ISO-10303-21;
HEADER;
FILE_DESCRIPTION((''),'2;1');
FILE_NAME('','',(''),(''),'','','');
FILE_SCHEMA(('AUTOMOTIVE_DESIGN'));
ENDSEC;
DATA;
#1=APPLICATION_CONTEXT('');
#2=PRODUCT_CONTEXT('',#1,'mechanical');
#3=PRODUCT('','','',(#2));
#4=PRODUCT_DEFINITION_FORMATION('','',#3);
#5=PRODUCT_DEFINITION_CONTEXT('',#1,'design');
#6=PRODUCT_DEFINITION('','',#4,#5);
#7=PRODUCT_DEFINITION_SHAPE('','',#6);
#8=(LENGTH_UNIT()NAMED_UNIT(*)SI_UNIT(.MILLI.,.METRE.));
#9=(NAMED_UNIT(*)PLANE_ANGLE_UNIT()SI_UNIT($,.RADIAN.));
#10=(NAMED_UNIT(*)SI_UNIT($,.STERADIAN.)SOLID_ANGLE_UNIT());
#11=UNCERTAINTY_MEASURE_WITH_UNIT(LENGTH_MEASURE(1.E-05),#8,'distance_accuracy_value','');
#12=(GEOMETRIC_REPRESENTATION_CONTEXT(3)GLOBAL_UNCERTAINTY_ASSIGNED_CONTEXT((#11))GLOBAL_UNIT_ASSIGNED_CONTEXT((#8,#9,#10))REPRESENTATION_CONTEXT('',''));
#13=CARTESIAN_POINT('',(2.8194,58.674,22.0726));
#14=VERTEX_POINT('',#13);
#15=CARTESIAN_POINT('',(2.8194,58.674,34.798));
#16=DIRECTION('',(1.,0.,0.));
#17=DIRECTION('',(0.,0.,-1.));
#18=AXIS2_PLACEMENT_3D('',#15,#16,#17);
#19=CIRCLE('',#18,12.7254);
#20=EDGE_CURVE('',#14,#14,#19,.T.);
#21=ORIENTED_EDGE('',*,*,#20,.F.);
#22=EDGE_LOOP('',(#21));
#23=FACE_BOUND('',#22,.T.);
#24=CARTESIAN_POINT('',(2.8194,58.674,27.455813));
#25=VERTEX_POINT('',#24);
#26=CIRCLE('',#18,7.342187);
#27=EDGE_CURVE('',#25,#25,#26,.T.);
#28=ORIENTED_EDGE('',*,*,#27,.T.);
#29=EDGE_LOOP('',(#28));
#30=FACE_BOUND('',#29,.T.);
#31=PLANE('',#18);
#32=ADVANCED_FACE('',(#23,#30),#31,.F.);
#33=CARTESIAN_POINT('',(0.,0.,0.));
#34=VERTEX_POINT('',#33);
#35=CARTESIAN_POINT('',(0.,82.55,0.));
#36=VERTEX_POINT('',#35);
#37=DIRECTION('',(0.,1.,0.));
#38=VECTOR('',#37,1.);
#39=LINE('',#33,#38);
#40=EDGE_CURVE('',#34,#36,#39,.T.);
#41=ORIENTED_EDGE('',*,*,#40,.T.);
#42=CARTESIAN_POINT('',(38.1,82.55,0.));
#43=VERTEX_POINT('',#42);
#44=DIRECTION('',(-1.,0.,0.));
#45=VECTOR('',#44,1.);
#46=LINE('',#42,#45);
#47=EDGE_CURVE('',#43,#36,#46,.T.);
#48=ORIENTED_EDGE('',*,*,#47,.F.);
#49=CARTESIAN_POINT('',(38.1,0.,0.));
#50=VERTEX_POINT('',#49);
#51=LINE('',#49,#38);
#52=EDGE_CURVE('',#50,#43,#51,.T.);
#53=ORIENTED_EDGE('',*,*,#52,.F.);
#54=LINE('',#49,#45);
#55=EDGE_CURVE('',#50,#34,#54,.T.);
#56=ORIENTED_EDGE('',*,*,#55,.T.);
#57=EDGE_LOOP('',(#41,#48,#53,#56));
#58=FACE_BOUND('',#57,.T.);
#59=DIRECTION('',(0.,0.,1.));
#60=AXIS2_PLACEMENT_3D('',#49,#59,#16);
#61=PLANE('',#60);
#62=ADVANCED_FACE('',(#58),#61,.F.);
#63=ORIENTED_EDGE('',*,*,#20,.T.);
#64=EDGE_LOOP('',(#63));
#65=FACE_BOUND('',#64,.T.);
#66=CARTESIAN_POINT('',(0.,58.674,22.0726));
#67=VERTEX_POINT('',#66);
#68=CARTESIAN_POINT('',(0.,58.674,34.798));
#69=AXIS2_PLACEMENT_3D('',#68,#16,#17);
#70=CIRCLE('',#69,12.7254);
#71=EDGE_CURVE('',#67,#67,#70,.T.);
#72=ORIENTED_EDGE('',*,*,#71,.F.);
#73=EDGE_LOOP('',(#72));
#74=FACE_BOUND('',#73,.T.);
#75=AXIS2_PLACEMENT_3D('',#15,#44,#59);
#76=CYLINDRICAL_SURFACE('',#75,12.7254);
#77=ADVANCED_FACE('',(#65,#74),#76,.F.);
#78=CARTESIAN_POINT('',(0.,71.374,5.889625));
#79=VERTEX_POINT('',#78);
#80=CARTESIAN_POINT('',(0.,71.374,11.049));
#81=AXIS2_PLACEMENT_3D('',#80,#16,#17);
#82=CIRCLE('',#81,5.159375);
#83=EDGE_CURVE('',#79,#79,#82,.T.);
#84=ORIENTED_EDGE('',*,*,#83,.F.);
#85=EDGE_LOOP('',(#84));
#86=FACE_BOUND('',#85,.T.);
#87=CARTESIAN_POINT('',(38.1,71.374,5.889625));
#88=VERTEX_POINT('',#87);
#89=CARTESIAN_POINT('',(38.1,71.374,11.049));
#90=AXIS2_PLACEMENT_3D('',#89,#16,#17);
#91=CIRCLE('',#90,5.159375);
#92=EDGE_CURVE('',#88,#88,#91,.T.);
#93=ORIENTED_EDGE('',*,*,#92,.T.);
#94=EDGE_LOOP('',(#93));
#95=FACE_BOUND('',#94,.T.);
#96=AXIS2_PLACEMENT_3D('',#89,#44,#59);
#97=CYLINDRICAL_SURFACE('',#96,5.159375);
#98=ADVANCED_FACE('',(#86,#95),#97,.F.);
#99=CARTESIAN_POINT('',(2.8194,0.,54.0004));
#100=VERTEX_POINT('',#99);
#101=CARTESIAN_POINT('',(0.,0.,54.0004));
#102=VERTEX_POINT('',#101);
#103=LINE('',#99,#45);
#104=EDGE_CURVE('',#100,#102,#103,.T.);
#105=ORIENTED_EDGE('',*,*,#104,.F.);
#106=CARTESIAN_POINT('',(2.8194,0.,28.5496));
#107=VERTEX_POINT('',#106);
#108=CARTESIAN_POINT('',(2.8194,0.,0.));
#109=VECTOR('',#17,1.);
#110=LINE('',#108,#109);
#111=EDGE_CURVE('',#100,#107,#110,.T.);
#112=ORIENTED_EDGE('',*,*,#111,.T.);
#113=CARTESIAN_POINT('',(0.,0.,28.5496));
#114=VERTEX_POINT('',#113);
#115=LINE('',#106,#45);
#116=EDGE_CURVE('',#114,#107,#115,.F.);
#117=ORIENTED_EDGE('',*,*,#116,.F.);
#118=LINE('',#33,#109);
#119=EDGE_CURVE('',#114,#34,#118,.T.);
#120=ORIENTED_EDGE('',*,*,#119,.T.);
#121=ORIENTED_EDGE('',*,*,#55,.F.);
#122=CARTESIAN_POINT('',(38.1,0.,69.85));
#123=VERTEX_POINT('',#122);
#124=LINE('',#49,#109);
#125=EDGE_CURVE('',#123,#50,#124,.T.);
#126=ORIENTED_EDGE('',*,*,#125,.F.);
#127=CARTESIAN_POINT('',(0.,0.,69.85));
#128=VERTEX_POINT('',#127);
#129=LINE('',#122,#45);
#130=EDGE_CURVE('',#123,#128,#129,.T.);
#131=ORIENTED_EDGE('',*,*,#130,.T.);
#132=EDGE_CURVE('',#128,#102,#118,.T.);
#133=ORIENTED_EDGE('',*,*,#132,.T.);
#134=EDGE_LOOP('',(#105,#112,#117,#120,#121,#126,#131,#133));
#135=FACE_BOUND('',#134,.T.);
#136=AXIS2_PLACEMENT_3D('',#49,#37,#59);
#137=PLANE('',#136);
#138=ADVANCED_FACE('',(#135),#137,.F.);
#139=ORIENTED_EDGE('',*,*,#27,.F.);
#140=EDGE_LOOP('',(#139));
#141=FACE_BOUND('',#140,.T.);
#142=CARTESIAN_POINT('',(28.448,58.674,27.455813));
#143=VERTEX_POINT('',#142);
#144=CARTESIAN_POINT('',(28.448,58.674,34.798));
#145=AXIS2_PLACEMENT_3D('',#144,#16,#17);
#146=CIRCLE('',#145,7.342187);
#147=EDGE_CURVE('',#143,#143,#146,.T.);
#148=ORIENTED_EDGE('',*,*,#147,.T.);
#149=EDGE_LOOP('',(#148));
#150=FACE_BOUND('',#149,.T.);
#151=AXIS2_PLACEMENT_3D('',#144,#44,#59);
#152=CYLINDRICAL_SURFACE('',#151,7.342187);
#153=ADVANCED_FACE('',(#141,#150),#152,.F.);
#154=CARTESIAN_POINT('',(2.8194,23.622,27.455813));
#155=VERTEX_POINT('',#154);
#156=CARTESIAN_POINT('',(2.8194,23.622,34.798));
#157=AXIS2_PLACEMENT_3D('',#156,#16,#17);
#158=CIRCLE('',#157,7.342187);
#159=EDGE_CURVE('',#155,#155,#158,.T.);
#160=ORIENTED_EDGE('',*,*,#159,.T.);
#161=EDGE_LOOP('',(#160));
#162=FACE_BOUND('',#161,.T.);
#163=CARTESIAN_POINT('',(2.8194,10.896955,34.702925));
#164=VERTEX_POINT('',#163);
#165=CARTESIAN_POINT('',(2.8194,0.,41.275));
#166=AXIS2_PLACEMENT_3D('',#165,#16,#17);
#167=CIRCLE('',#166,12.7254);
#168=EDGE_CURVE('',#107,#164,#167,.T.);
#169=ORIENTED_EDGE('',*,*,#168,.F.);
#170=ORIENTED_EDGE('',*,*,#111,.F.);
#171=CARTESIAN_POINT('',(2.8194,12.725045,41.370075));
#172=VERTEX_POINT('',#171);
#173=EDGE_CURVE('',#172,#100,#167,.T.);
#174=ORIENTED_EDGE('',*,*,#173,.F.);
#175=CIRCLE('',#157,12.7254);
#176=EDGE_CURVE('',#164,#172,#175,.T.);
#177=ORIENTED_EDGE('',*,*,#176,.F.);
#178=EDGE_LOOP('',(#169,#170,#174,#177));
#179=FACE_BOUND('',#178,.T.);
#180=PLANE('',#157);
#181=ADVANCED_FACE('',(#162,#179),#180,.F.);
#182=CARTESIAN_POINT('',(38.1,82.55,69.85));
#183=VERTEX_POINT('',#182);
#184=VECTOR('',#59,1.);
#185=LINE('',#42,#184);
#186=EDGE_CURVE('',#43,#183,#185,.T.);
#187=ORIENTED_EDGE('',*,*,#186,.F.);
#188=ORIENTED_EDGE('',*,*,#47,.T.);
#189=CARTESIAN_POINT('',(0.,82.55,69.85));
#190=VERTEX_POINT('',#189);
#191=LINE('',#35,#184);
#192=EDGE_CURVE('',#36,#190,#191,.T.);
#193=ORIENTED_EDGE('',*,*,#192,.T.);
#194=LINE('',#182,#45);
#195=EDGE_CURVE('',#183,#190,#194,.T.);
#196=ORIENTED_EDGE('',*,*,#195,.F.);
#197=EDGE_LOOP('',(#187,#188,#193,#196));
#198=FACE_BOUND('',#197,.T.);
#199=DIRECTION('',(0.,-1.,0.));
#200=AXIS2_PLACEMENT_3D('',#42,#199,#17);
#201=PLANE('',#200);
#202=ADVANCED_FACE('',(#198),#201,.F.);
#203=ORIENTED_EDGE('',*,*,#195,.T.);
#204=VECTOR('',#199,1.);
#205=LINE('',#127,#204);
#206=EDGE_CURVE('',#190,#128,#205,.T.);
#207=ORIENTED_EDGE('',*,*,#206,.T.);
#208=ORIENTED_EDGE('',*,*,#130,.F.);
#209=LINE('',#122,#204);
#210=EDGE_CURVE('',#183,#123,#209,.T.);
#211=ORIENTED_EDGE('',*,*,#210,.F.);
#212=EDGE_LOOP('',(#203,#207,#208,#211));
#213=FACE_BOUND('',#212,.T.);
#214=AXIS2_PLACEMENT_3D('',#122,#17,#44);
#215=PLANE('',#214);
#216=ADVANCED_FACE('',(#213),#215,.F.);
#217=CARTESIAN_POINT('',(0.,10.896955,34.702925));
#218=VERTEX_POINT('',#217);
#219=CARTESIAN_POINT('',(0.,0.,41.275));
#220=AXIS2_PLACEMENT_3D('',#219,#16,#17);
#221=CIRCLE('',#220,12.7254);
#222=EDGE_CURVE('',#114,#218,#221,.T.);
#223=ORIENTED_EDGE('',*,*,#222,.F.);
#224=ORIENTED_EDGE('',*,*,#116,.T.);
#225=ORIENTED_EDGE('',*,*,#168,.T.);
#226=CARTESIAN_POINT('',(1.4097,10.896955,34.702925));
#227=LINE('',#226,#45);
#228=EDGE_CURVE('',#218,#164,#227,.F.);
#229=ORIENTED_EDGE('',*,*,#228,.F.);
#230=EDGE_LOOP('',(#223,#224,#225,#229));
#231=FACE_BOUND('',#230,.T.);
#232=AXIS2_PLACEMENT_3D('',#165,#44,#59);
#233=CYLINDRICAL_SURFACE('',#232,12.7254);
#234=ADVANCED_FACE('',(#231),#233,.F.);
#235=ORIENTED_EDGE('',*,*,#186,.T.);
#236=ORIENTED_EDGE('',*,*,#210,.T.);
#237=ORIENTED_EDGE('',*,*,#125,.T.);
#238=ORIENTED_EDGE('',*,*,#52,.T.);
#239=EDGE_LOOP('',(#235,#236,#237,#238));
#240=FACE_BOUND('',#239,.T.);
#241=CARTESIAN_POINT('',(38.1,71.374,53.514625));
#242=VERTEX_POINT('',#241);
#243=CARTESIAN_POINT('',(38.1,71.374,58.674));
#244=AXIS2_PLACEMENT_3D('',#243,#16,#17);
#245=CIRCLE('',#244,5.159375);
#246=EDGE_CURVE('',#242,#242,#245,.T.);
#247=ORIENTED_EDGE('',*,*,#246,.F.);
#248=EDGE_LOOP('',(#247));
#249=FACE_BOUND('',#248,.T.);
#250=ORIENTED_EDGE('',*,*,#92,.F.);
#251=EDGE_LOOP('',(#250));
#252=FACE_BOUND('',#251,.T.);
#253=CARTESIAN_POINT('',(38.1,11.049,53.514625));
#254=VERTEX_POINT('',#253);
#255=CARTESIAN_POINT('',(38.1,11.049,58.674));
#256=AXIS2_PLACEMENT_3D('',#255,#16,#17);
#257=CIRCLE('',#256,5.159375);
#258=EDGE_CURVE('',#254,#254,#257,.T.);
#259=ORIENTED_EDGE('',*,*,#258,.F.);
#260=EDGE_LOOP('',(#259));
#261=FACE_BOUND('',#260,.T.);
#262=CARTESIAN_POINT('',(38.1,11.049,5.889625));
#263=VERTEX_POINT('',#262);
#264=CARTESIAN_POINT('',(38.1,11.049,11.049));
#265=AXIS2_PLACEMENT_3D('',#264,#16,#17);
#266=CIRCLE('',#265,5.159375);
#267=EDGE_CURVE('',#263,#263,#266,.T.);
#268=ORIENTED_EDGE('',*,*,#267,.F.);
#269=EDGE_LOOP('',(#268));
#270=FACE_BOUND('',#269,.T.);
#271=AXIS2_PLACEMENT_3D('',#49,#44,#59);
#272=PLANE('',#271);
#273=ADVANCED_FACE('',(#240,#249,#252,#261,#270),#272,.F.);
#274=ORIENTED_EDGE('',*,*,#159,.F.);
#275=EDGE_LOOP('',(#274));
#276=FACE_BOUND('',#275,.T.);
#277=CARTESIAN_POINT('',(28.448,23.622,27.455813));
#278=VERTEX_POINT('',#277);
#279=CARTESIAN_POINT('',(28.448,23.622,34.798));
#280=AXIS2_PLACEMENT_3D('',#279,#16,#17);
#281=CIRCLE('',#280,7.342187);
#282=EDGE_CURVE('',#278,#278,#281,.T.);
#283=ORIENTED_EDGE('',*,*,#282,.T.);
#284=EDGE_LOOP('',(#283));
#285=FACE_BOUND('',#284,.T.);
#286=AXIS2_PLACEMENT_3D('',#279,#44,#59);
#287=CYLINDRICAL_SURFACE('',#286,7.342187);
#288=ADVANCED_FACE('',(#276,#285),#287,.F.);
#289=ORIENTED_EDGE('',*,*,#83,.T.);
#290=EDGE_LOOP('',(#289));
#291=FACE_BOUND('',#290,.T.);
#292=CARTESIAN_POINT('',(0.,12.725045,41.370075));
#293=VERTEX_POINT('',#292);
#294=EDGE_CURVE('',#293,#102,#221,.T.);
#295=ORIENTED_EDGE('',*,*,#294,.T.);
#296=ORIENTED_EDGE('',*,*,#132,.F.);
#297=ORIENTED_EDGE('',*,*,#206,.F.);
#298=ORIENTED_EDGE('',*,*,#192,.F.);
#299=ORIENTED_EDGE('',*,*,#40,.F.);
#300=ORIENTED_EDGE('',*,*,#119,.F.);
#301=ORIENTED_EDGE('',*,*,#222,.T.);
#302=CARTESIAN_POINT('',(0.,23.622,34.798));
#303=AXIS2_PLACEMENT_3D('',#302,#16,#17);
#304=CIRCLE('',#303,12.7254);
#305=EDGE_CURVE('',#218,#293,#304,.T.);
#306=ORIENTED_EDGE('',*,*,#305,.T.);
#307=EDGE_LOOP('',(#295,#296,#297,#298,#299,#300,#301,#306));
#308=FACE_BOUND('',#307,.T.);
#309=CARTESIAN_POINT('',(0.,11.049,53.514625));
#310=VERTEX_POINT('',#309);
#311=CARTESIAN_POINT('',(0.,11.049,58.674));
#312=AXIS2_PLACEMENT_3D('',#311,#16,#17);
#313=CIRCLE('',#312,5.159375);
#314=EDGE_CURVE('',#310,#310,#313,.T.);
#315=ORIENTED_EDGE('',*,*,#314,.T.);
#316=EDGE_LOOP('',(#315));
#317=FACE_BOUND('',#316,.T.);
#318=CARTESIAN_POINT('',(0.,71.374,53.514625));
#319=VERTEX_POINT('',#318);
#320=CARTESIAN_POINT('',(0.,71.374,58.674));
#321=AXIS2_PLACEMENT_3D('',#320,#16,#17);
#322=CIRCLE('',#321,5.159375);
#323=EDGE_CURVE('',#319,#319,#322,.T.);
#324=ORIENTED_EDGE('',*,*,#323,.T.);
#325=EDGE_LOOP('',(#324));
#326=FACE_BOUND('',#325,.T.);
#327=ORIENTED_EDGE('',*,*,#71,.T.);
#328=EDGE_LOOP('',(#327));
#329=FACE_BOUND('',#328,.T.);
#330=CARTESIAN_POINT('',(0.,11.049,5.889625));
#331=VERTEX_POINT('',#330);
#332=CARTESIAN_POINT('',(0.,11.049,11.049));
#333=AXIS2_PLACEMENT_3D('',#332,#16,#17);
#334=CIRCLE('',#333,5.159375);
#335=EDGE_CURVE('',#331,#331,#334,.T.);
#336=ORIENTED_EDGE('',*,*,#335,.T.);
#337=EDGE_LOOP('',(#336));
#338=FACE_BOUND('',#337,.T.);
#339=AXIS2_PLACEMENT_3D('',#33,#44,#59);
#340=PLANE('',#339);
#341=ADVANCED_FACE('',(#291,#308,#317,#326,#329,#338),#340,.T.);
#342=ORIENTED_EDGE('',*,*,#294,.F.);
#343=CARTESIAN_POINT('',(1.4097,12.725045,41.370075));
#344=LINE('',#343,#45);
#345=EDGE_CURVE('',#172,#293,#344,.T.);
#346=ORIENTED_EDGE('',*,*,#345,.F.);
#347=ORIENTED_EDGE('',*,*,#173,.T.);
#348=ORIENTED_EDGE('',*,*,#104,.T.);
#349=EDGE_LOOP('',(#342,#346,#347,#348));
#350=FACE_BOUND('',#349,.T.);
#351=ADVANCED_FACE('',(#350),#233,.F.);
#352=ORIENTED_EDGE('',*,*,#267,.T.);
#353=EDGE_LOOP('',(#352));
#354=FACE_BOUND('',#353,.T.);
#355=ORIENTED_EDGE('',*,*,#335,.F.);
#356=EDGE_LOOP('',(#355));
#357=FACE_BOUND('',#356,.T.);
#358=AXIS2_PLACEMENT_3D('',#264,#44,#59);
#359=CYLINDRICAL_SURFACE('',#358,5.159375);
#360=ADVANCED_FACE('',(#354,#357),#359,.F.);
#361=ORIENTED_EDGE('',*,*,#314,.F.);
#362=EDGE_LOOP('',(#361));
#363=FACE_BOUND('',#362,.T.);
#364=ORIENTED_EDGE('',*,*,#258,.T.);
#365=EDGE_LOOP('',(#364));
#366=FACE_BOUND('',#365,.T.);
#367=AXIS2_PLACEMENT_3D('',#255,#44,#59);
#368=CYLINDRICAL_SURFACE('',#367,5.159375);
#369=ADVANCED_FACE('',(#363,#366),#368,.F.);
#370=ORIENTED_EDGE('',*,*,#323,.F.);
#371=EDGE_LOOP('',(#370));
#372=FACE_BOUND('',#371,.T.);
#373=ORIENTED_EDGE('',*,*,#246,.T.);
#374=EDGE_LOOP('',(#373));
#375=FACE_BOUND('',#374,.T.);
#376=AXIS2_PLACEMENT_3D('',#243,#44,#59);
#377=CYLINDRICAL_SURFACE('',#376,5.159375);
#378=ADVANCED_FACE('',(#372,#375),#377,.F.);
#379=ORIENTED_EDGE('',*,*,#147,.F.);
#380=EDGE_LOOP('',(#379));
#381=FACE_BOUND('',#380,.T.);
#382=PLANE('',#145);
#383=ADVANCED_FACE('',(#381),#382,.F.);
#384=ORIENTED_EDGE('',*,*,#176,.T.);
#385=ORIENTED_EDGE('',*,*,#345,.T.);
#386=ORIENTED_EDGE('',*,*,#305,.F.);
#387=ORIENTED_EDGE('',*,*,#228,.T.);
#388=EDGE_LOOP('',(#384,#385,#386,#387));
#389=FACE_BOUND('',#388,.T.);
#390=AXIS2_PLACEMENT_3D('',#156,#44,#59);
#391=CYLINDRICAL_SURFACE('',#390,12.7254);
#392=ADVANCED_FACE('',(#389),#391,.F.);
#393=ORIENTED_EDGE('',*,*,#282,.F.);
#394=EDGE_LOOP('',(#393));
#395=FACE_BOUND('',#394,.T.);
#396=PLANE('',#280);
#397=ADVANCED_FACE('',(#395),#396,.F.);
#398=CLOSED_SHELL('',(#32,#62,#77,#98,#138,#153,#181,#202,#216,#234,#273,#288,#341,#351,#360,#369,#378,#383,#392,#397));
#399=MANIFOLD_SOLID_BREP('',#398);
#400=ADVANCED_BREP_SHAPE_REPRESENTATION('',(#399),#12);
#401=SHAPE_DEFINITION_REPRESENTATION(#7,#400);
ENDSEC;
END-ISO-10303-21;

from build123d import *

# Parameters (mm, degrees)
SKETCH1_W           = 82.55
SKETCH1_H           = 69.85
BOSS_EXTRUDE1_DEPTH = 38.1
SKETCH2_R           = 5.159375
CUT_EXTRUDE2_DEPTH  = 115.652235041
SKETCH3_R           = 7.3421875
CUT_EXTRUDE3_DEPTH  = 28.448
SKETCH4_R           = 12.7254
CUT_EXTRUDE4_DEPTH  = 2.8194
SKETCH6_R           = 12.7254
CUT_EXTRUDE7_DEPTH  = 2.8194


with BuildPart() as part:
    # Sketch1 → Boss-Extrude1 (new body)
    with BuildSketch(Plane.YZ):
        with Locations((41.275, 34.925)):
            Rectangle(SKETCH1_W, SKETCH1_H)
    extrude(amount=BOSS_EXTRUDE1_DEPTH)

    # Sketch2 → Cut-Extrude2 (cut, through all)
    with BuildSketch(Plane.YZ):
        with Locations(Location((11.049, 11.049, 0), (0, 0, 270))):
            Circle(SKETCH2_R)
        with Locations(Location((71.374, 11.049, 0), (0, 0, 270))):
            Circle(SKETCH2_R)
        with Locations(Location((11.049, 58.674, 0), (0, 0, 270))):
            Circle(SKETCH2_R)
        with Locations(Location((71.374, 58.674, 0), (0, 0, 270))):
            Circle(SKETCH2_R)
    extrude(amount=CUT_EXTRUDE2_DEPTH, mode=Mode.SUBTRACT)

    # Sketch3 → Cut-Extrude3 (cut)
    with BuildSketch(Plane.YZ):
        with Locations(Location((23.622, 34.798, 0), (0, 0, 270))):
            Circle(SKETCH3_R)
        with Locations(Location((58.674, 34.798, 0), (0, 0, 270))):
            Circle(SKETCH3_R)
    extrude(amount=CUT_EXTRUDE3_DEPTH, mode=Mode.SUBTRACT)

    # Sketch4 → Cut-Extrude4 (cut)
    with BuildSketch(Plane.YZ):
        with Locations(Location((23.622, 34.798, 0), (0, 0, 270))):
            Circle(SKETCH4_R)
        with Locations(Location((58.674, 34.798, 0), (0, 0, 270))):
            Circle(SKETCH4_R)
    extrude(amount=CUT_EXTRUDE4_DEPTH, mode=Mode.SUBTRACT)

    # Sketch6 → Cut-Extrude7 (cut)
    with BuildSketch(Plane.YZ):
        with Locations((0, 41.275)):
            Circle(SKETCH6_R)
    extrude(amount=CUT_EXTRUDE7_DEPTH, mode=Mode.SUBTRACT)


solid = part.part
